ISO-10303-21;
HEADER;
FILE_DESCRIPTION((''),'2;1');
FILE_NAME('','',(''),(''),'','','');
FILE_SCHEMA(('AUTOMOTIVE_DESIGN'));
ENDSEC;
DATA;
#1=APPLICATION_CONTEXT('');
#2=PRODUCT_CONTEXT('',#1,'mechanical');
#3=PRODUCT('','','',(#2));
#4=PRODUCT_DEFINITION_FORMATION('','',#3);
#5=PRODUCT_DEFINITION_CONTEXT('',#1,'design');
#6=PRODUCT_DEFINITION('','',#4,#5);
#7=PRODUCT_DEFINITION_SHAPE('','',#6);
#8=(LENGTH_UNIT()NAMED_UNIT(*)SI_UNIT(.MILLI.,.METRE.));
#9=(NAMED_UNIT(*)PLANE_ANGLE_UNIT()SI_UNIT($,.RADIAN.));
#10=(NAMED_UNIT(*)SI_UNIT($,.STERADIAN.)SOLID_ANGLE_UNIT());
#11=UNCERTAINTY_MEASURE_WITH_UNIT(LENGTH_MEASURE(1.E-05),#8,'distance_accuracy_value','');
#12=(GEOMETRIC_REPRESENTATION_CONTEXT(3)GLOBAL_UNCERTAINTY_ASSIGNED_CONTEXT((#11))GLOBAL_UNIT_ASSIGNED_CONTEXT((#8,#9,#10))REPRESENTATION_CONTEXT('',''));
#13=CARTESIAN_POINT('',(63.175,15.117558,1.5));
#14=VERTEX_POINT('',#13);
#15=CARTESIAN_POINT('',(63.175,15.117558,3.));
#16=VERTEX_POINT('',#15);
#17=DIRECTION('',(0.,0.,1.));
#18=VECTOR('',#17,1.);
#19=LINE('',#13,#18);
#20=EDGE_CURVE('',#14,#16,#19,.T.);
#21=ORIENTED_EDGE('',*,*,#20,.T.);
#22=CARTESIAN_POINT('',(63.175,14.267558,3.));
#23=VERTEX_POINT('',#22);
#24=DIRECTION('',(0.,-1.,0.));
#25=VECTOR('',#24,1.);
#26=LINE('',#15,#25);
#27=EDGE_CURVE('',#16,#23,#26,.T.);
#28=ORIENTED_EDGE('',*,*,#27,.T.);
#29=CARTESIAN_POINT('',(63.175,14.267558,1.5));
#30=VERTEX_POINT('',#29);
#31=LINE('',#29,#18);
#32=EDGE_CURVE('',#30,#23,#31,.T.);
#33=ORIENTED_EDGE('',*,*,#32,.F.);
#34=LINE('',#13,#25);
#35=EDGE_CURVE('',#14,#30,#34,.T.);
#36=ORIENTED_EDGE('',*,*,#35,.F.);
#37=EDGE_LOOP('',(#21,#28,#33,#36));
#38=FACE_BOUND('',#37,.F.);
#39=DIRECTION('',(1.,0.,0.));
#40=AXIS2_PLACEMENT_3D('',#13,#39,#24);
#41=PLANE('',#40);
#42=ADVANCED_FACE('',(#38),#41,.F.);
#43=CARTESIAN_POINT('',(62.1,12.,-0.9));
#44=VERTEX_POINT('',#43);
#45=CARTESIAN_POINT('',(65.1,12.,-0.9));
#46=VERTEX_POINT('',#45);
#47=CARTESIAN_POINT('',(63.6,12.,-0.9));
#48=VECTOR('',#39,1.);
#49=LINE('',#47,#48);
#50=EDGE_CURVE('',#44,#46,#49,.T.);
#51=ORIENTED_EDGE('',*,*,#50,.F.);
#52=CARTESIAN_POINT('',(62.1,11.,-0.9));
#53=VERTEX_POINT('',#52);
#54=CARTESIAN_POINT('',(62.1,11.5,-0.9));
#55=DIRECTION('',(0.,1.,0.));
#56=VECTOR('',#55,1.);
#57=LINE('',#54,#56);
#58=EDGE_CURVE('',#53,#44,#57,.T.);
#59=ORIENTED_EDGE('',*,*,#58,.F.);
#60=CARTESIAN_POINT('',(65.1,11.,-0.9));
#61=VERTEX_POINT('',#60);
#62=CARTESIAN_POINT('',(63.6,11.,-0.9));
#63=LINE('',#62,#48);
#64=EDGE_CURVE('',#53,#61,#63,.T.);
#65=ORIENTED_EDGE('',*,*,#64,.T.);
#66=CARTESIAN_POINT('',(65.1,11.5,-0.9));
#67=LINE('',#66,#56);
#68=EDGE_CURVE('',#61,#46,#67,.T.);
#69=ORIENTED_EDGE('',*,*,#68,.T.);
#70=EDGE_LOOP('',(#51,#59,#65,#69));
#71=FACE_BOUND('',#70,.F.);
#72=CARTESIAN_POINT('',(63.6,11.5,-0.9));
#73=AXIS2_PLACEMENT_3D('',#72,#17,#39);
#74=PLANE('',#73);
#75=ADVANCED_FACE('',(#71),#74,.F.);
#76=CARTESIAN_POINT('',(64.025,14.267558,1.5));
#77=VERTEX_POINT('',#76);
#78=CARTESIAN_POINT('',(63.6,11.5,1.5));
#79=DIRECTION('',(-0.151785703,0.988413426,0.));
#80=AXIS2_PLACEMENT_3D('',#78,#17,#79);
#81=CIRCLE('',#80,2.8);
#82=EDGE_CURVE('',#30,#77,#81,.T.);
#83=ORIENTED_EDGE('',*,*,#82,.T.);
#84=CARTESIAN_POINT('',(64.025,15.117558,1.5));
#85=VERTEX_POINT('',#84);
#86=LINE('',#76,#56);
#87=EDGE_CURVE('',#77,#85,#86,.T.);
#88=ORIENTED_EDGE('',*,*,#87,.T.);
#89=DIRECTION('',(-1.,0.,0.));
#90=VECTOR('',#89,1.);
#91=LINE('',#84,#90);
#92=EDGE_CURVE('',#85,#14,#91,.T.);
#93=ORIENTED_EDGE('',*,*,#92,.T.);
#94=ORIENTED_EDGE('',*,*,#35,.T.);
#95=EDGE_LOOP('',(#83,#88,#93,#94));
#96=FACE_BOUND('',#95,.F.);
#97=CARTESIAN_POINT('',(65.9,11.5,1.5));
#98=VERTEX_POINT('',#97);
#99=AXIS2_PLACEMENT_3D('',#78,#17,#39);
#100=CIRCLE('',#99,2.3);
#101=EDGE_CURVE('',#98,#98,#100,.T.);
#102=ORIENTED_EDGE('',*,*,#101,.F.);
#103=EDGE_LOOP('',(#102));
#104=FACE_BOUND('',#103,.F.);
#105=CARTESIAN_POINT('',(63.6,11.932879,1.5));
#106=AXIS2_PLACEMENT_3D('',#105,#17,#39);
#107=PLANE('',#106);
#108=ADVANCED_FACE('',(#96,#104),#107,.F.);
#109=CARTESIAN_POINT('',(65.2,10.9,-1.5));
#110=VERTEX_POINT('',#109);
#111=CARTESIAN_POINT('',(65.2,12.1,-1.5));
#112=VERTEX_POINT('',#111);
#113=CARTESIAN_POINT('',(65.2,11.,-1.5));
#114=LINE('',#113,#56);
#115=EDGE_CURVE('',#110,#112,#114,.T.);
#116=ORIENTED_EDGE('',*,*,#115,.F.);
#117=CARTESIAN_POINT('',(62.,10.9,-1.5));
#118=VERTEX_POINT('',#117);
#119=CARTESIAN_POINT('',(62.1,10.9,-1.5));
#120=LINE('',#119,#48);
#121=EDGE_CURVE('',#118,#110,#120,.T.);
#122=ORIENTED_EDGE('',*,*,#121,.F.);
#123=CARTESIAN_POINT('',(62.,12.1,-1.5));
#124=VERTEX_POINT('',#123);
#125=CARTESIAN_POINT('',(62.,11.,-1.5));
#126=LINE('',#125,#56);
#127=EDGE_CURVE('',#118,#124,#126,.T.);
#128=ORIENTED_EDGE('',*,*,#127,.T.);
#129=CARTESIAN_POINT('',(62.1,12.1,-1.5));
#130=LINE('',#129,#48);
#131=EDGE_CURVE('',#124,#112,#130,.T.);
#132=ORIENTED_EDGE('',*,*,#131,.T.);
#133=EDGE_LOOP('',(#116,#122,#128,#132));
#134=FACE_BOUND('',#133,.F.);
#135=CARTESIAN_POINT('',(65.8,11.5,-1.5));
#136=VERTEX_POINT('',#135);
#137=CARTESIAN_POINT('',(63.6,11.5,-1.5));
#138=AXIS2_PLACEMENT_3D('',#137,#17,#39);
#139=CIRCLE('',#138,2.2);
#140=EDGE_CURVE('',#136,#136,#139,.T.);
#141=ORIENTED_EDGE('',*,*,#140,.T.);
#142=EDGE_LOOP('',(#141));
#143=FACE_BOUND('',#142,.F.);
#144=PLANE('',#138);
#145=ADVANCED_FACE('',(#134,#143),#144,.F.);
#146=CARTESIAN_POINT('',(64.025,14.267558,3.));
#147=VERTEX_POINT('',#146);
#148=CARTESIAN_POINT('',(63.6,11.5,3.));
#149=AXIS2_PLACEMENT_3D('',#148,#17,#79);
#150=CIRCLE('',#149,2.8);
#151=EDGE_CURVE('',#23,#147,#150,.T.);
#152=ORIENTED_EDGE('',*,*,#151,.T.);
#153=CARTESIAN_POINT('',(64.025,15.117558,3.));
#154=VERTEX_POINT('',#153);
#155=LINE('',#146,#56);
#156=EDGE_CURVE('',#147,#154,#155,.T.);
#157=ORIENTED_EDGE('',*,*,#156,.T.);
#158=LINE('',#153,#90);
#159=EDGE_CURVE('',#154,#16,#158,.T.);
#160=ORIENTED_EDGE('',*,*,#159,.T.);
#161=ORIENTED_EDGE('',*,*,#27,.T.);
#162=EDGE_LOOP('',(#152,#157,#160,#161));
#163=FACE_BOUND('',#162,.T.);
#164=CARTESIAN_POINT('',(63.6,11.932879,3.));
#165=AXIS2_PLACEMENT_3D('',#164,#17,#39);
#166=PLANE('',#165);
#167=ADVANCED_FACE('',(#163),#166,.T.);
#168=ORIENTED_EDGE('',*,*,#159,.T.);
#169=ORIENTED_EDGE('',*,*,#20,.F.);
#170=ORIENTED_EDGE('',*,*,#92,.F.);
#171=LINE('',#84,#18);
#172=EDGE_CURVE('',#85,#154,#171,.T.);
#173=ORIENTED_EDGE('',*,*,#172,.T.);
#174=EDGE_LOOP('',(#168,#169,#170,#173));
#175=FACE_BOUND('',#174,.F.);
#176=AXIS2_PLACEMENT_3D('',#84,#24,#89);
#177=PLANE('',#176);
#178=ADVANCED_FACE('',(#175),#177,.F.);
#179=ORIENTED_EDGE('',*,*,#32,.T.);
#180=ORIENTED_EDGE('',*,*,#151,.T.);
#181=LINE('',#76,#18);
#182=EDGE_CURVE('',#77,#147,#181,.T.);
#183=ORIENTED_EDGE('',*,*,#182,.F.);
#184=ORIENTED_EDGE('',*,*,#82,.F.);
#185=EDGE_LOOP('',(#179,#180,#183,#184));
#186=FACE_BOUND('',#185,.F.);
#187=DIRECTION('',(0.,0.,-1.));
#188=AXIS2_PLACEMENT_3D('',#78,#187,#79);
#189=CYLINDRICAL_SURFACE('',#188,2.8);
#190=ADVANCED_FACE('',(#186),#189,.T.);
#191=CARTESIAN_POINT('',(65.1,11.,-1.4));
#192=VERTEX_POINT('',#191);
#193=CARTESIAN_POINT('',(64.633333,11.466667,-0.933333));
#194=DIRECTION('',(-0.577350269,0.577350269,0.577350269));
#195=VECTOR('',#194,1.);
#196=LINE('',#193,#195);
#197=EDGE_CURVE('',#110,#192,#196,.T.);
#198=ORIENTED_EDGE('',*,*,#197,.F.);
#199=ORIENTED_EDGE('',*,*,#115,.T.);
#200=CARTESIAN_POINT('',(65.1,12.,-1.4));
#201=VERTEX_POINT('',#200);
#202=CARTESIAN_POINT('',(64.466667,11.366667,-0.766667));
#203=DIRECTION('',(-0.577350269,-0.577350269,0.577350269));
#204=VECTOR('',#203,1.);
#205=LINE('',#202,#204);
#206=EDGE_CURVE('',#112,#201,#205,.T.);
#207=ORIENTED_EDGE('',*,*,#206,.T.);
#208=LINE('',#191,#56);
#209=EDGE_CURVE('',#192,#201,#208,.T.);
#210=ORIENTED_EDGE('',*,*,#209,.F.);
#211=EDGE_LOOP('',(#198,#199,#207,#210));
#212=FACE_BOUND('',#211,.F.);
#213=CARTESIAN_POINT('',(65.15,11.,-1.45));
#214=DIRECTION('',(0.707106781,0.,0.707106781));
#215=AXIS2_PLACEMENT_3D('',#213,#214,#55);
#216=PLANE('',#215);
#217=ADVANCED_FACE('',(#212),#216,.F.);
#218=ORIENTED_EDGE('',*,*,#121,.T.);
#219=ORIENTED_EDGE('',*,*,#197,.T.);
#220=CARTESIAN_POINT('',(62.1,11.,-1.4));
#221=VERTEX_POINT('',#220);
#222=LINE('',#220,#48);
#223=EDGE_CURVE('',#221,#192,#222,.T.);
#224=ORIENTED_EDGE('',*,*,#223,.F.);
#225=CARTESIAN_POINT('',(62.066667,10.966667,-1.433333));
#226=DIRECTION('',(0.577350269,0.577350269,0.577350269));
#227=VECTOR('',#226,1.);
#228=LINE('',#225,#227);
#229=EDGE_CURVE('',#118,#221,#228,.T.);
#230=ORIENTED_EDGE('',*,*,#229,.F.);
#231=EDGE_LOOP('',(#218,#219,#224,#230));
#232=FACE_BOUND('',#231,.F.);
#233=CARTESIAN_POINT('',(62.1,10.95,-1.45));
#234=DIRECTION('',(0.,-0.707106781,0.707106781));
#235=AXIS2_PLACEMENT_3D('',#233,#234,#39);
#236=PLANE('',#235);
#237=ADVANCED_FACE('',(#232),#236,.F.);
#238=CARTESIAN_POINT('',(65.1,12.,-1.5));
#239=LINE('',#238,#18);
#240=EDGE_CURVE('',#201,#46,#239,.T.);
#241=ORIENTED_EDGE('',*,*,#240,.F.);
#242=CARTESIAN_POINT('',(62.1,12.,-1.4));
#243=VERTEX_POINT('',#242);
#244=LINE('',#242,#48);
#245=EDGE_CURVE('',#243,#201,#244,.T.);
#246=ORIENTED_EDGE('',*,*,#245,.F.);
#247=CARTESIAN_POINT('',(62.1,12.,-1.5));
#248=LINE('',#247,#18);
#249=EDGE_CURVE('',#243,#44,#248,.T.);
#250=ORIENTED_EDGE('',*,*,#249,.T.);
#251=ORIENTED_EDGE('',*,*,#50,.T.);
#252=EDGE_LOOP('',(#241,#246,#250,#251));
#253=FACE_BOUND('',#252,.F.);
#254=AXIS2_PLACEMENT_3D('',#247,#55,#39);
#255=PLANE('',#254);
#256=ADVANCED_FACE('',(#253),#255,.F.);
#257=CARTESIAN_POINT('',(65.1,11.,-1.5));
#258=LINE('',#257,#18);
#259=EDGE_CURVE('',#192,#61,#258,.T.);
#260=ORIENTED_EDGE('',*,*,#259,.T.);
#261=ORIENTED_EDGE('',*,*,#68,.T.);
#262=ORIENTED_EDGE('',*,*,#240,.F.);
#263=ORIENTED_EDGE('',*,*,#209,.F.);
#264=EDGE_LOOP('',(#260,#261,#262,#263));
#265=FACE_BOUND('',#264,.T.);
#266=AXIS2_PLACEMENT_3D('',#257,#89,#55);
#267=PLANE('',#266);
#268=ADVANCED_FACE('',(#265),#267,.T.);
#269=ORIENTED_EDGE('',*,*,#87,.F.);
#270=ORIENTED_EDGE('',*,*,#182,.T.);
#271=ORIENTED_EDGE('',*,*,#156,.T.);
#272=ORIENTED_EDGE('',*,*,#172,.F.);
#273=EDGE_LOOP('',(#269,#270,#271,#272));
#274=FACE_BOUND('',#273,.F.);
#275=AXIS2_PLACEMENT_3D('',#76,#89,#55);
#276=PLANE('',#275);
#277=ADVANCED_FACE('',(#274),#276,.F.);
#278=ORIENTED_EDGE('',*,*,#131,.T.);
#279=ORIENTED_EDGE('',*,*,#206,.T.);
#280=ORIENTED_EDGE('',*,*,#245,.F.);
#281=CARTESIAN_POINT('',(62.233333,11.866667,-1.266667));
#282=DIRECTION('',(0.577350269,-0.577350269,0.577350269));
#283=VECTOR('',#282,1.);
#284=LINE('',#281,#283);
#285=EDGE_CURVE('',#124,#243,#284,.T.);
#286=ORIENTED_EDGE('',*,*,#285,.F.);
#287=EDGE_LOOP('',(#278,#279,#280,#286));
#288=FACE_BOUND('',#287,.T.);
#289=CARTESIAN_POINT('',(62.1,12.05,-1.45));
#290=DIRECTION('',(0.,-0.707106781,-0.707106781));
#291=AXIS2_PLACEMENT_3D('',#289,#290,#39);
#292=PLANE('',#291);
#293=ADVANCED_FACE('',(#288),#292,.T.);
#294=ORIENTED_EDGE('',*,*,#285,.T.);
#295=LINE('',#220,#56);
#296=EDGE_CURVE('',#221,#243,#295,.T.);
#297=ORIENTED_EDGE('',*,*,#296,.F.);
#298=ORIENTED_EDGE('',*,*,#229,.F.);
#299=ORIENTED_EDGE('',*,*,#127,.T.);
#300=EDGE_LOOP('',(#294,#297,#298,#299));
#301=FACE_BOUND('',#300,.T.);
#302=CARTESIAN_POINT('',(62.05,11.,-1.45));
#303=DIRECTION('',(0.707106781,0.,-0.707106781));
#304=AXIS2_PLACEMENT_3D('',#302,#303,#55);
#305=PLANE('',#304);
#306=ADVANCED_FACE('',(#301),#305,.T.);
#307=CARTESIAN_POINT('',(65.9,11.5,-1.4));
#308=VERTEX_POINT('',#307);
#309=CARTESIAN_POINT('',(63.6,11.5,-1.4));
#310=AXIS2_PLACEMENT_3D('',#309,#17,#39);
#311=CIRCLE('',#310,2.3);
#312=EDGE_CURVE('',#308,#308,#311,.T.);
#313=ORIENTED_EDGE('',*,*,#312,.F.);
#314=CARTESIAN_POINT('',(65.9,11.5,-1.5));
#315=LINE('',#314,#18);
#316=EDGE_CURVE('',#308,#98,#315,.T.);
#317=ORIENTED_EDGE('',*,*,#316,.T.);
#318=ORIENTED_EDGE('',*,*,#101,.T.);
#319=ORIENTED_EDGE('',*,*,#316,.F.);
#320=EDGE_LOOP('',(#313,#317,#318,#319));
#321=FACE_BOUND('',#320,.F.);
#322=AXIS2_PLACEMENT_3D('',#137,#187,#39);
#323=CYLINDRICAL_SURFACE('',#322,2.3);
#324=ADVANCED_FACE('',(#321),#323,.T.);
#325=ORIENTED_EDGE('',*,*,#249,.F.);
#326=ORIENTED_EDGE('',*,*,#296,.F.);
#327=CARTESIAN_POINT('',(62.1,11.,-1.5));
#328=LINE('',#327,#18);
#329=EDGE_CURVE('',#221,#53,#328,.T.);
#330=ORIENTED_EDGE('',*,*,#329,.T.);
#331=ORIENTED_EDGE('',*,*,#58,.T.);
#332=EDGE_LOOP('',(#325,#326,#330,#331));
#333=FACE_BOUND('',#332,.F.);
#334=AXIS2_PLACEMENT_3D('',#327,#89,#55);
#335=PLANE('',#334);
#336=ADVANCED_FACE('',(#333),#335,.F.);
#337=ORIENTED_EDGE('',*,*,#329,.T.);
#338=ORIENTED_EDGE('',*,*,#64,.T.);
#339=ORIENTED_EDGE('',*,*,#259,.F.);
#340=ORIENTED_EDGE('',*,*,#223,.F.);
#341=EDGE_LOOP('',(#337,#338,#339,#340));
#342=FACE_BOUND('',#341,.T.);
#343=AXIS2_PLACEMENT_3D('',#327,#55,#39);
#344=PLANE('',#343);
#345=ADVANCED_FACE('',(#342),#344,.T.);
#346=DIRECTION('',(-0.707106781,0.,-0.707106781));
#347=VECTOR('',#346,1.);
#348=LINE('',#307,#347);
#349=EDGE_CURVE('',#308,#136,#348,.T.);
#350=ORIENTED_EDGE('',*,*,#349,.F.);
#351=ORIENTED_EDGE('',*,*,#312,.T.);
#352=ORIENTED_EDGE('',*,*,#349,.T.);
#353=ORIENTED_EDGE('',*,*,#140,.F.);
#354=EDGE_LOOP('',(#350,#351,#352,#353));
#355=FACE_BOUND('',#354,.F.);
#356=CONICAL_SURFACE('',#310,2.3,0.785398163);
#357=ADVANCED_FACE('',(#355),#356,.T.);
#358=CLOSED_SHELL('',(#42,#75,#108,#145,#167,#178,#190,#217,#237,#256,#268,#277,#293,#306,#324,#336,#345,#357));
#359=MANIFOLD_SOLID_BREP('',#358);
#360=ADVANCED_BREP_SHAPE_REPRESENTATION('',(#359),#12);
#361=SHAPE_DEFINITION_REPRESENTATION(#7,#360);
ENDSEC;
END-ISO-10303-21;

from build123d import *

# Parameters (mm, degrees)
SKETCH064_R     = 2.3
PAD044_DEPTH    = 3
PAD045_DEPTH    = 1.5
SKETCH066_W     = 3
SKETCH066_H     = 1
POCKET013_DEPTH = 0.6
CHAMFER007_SIZE = 0.1


with BuildPart() as part:
    # Sketch064 → Pad044 (new body)
    with BuildSketch(Plane.XY):
        Circle(SKETCH064_R)
    extrude(amount=PAD044_DEPTH)

    # Sketch065 (on Face3 of Pad044) → Pad045 (join)
    with BuildSketch(Plane.XY.offset(3)):
        with BuildLine():
            Line((0.425, 2.767558), (0.425, 3.617558))
            Line((0.425, 3.617558), (-0.425, 3.617558))
            Line((-0.425, 3.617558), (-0.425, 2.767558))
            ThreePointArc((-0.425, 2.767558), (0, -2.8), (0.425, 2.767558))
        make_face()
    extrude(amount=PAD045_DEPTH)

    # Sketch066 → Pocket013 (cut)
    with BuildSketch(Plane.XY):
        Rectangle(SKETCH066_W, SKETCH066_H)
    extrude(amount=POCKET013_DEPTH, mode=Mode.SUBTRACT)

    # Chamfer007
    chamfer007_edges = [part.edges().sort_by_distance(p)[0] for p in [
        (0, -0.5, 0),
        (-2.3, 0, 0),
        (-1.5, 0, 0),
        (0, 0.5, 0),
        (1.5, 0, 0),
    ]]
    chamfer(chamfer007_edges, length=CHAMFER007_SIZE)


with BuildPart() as part_1:
    # Body019 placement: moved
    add(part.part.moved(Location((63.6, 11.5, -1.5))))


solid = part_1.part
